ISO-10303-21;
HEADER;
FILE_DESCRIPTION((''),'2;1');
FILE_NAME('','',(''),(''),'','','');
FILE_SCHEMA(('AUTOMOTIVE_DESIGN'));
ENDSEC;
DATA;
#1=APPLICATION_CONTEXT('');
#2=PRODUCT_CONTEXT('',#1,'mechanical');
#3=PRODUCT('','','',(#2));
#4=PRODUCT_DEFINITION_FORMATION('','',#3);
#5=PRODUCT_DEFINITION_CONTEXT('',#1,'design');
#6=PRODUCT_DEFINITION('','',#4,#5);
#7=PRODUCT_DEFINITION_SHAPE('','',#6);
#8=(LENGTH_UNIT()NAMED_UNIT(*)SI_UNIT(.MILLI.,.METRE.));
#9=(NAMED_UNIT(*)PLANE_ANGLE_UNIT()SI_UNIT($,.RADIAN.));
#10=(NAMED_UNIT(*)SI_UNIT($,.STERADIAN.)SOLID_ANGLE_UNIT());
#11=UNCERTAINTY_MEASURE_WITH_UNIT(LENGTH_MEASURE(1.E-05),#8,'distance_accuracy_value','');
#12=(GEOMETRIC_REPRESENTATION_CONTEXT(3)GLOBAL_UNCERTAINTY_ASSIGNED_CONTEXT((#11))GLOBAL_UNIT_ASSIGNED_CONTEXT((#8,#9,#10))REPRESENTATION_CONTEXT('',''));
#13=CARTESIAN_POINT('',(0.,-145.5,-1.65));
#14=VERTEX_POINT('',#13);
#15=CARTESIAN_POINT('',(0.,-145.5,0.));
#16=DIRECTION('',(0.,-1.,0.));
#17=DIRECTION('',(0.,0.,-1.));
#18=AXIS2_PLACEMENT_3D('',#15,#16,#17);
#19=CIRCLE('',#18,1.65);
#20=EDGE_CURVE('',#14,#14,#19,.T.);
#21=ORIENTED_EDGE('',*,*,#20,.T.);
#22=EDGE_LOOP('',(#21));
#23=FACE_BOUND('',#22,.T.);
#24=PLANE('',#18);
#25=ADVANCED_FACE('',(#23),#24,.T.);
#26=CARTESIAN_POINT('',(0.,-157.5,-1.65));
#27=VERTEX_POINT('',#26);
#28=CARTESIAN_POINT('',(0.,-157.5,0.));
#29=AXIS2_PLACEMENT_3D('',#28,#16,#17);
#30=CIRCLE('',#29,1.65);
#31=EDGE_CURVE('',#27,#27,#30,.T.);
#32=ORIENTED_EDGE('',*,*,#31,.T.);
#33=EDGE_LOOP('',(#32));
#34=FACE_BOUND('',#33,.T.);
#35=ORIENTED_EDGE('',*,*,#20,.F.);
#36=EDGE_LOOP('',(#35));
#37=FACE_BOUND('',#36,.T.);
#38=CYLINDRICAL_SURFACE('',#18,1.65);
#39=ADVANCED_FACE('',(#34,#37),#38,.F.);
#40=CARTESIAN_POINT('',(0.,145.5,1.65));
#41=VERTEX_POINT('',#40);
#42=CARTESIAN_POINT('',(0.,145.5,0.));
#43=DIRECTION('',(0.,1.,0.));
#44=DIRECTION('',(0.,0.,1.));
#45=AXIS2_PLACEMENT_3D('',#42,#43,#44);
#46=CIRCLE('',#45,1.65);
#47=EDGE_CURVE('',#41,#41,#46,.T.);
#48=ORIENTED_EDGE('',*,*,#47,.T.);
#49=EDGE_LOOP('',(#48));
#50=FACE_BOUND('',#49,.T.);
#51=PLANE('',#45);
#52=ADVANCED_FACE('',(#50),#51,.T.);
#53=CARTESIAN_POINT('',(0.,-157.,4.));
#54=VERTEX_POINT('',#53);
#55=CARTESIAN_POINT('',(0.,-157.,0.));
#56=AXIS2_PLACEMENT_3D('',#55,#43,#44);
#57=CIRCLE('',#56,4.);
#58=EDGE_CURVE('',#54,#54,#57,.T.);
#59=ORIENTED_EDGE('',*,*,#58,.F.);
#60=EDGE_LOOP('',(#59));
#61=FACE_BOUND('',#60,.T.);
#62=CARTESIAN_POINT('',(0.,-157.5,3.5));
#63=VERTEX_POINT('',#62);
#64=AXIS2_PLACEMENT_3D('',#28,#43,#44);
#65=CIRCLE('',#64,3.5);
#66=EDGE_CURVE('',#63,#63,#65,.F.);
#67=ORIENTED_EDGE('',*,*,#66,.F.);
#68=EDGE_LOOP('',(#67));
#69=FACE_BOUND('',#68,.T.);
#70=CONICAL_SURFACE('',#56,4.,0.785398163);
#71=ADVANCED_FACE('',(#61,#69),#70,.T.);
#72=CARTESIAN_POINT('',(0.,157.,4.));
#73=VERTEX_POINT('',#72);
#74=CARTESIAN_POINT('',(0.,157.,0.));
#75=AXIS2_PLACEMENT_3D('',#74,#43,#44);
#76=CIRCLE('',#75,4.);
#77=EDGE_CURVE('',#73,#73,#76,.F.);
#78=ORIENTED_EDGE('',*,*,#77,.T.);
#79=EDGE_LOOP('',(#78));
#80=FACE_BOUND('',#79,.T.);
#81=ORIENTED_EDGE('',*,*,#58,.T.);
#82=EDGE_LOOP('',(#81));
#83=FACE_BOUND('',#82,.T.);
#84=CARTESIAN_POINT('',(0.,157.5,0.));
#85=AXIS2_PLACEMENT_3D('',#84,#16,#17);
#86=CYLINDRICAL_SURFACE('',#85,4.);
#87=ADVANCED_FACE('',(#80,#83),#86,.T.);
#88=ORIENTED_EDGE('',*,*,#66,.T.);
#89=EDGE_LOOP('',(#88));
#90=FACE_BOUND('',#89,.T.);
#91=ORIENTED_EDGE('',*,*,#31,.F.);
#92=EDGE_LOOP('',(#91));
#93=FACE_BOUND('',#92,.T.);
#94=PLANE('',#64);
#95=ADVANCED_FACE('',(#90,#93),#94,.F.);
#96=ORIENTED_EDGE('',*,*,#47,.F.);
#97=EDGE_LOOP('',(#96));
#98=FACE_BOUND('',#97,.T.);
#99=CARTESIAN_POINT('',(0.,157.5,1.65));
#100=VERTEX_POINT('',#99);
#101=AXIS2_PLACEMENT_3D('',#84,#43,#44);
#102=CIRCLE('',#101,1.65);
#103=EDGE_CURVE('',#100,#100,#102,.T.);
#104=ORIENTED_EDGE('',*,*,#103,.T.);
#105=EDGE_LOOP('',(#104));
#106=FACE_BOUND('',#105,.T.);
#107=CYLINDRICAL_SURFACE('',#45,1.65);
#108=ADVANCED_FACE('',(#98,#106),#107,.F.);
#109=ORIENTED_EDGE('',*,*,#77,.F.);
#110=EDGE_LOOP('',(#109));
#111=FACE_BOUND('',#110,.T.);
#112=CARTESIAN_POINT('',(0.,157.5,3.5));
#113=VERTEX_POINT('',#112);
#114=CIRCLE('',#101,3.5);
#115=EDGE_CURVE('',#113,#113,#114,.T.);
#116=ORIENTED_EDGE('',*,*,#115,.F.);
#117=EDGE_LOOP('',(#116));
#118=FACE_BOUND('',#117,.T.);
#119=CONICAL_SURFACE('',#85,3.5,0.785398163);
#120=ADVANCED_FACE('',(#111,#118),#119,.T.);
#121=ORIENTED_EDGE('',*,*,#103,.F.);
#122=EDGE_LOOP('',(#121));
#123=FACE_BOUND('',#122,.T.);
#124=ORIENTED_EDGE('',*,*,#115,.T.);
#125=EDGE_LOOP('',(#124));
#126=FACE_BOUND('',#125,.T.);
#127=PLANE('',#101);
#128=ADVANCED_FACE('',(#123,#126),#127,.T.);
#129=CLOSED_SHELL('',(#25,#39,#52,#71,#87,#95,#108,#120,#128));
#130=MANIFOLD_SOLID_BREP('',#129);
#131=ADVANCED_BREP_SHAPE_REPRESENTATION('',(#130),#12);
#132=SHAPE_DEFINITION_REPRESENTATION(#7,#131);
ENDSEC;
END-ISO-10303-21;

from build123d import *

# Parameters (mm, degrees)
SKETCH1_R           = 4
BOSS_EXTRUDE1_DEPTH = 157.5
CHAMFER1_SIZE       = 0.5
SKETCH2_R           = 1.65
CUT_EXTRUDE1_DEPTH  = 12
CUT_EXTRUDE2_START  = -12
SKETCH3_R           = 1.65
CUT_EXTRUDE2_DEPTH  = 12


with BuildPart() as part:
    # Sketch1 → Boss-Extrude1 (new, symmetric)
    with BuildSketch(Plane(origin=(0, 0, 0), x_dir=(1, 0, 0), z_dir=(0, 1, 0))):
        with Locations(Location((0, 0, 0), (0, 0, 270))):
            Circle(SKETCH1_R)
    extrude(amount=BOSS_EXTRUDE1_DEPTH, both=True)

    # Chamfer1
    chamfer1_edges = [part.edges().sort_by_distance(p)[0] for p in [
        (0, -157.5, -4),
        (0, 157.5, -4),
    ]]
    chamfer(chamfer1_edges, length=CHAMFER1_SIZE)

    # Sketch2 → Cut-Extrude1 (cut)
    with BuildSketch(Plane(origin=(0, 157.5, 0), x_dir=(1, 0, 0), z_dir=(0, 1, 0))):
        with Locations(Location((0, 0, 0), (0, 0, 270))):
            Circle(SKETCH2_R)
    extrude(amount=-CUT_EXTRUDE1_DEPTH, mode=Mode.SUBTRACT)

    # Sketch3 → Cut-Extrude2 (cut)
    with BuildSketch(Plane.XZ.offset(157.5).offset(CUT_EXTRUDE2_START)):
        with Locations(Location((0, 0, 0), (0, 0, 90))):
            Circle(SKETCH3_R)
    extrude(amount=CUT_EXTRUDE2_DEPTH, mode=Mode.SUBTRACT)


solid = part.part
